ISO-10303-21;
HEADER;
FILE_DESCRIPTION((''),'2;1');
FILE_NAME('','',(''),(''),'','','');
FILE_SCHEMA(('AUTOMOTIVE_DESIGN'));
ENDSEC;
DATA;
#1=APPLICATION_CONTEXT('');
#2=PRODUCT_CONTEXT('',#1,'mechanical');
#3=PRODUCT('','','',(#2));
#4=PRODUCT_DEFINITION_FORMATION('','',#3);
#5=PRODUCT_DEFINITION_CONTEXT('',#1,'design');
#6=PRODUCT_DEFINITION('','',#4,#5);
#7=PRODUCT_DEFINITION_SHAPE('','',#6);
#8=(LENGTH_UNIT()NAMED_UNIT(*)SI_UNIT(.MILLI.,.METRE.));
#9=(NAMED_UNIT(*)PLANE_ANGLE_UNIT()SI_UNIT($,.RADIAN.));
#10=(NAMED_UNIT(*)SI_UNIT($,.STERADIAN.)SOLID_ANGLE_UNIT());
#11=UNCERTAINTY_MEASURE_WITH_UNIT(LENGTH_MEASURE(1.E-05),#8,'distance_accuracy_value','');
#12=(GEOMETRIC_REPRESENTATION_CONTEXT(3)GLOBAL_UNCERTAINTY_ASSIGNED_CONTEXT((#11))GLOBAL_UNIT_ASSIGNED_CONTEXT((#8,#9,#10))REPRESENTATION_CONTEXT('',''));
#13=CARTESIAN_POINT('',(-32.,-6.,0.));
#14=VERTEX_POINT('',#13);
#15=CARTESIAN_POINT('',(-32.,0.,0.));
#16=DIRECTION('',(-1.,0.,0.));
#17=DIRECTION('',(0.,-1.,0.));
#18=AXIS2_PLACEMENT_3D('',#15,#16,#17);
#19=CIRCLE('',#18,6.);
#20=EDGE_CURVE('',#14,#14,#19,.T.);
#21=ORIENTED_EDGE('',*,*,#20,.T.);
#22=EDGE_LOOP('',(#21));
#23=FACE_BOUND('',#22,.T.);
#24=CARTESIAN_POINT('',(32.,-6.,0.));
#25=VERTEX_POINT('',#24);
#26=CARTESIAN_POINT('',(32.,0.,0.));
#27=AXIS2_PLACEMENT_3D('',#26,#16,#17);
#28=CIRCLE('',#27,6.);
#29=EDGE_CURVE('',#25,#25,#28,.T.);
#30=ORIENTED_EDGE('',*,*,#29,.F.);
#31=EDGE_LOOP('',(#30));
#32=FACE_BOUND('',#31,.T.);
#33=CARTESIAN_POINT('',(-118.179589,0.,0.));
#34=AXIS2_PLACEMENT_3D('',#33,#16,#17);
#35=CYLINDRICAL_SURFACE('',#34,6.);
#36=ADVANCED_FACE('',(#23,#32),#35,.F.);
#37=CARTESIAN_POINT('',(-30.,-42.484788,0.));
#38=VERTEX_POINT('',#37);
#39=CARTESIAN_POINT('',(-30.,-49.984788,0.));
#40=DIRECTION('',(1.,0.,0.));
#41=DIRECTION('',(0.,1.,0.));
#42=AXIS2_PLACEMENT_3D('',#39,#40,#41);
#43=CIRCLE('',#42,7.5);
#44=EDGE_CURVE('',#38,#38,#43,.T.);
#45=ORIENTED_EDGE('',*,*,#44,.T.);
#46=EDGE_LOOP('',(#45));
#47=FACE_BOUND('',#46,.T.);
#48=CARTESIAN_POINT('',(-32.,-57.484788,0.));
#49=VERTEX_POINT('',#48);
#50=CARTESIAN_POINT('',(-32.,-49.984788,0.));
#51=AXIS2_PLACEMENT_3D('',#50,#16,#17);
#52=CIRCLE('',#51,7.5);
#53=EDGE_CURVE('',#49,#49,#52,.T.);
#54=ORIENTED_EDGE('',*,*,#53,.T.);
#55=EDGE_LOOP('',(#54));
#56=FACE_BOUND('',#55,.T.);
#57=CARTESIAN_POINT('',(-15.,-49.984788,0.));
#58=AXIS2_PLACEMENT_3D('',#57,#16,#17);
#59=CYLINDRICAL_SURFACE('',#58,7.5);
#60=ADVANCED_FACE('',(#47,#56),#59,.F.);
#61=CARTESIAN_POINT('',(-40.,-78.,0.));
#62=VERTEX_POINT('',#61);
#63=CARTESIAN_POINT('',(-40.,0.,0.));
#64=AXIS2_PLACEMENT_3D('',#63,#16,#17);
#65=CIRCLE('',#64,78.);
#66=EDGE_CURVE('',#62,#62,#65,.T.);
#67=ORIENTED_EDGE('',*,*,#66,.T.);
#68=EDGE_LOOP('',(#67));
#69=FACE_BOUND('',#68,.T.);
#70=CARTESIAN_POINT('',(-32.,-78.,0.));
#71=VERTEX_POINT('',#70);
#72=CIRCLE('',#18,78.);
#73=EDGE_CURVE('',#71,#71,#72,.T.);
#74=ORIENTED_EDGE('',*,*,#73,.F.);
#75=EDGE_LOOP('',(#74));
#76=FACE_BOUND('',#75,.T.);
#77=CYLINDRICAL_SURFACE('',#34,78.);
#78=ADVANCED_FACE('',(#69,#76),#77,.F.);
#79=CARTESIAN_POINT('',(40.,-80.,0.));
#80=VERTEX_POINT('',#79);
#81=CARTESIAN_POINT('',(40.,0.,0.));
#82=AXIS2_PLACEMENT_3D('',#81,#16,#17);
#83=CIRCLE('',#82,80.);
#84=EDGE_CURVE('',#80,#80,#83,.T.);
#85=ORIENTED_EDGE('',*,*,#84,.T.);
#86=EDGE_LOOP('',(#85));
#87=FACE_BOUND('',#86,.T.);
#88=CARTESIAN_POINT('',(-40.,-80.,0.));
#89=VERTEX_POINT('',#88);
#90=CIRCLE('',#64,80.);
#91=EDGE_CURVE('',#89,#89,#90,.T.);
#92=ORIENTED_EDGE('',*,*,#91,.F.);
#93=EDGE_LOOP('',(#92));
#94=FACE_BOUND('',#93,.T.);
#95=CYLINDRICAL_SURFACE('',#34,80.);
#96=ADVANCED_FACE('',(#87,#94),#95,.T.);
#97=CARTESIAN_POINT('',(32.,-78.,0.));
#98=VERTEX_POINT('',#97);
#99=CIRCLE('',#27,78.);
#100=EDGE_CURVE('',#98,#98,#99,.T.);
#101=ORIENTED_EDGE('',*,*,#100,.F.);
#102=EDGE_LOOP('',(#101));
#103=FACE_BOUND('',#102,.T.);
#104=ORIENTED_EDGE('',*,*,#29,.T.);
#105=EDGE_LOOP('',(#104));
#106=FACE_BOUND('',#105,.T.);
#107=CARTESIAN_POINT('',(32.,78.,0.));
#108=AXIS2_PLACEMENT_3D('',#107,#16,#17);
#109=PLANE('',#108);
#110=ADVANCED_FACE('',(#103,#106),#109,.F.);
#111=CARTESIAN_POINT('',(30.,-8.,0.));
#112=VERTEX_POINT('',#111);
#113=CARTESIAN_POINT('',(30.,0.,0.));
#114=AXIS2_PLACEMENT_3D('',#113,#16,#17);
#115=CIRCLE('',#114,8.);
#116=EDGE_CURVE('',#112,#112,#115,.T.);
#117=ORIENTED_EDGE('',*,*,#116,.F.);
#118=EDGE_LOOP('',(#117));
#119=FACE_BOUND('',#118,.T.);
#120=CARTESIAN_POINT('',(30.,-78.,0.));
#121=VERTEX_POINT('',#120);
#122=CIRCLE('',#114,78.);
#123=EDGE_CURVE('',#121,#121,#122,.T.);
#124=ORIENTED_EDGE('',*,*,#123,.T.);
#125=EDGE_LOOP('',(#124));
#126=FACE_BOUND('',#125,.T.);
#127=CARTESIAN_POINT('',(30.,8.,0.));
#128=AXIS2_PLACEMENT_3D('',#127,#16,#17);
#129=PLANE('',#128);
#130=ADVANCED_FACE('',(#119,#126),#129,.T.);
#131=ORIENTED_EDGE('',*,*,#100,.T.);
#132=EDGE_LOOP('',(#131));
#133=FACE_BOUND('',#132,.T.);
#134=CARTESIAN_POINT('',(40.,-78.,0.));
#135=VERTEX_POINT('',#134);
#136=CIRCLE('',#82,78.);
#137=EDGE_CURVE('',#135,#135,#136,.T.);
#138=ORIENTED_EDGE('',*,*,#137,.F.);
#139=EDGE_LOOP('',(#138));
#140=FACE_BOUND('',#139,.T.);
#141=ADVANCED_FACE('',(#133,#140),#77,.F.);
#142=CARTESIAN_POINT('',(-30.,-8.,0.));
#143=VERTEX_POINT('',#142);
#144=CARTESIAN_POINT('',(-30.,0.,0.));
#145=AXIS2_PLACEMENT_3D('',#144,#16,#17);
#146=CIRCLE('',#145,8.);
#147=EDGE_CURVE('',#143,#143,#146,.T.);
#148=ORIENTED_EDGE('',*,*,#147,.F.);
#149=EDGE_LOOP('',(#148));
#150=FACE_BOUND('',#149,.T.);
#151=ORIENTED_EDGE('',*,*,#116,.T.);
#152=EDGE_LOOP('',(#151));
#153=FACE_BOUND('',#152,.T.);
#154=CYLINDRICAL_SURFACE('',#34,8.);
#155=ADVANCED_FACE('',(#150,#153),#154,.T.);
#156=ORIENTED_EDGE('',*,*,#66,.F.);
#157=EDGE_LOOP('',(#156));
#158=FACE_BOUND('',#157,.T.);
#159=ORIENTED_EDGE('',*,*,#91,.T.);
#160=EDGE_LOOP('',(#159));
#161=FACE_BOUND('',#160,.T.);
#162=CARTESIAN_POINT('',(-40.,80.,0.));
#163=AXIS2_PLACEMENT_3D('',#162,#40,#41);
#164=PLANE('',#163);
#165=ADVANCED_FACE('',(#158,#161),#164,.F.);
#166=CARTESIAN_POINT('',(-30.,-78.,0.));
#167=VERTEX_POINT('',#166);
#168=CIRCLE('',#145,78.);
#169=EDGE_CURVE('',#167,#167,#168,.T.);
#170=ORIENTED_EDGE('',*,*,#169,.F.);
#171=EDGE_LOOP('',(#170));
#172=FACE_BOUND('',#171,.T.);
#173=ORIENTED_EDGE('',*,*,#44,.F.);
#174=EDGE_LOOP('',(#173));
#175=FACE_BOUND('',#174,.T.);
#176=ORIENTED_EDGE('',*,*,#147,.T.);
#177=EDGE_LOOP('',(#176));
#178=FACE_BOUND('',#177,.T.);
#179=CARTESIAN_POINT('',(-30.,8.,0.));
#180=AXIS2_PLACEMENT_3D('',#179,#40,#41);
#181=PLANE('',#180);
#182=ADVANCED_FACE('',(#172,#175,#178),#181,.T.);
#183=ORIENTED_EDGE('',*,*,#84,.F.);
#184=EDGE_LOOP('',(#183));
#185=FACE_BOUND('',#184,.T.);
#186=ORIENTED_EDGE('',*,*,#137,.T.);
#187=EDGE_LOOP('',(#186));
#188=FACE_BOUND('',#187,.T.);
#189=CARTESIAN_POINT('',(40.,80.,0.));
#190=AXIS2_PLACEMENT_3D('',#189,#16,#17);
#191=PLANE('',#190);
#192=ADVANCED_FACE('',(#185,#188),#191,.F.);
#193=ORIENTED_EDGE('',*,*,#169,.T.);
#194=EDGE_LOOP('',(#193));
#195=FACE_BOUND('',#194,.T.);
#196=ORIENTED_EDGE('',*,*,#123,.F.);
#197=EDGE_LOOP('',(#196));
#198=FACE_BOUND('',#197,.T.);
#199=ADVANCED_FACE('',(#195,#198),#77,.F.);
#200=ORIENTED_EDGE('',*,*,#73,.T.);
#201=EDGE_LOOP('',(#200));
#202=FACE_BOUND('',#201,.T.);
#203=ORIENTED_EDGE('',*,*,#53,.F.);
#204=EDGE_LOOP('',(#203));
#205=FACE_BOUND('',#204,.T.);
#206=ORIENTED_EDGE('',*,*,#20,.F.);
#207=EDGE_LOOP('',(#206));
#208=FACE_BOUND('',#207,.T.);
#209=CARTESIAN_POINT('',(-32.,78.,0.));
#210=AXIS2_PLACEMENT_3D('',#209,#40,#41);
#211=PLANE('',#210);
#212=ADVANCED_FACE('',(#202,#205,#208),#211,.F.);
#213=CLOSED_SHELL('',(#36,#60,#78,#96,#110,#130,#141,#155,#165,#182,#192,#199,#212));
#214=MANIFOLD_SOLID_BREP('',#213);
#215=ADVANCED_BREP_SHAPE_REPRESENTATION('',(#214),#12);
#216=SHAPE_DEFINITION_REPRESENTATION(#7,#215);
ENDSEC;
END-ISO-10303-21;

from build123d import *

# Parameters (mm, degrees)
SKETCH_1_W          = 60
SKETCH_1_H          = 70
SKETCH_3_R          = 7.5
CUT_EXTRUDE_1_DEPTH = 17


with BuildPart() as part:
    # Эскиз1 → Повернуть1 (revolve)
    with BuildSketch(Plane.XY, mode=Mode.PRIVATE) as revolve_1_sk:
        Polygon((-40, 80), (40, 80), (40, 78), (32, 78), (32, 6), (30, 6), (-30, 6), (-32, 6), (-32, 78), (-40, 78), align=None)
        with Locations((0, 43)):
            Rectangle(SKETCH_1_W, SKETCH_1_H, mode=Mode.SUBTRACT)
    revolve(revolve_1_sk.sketch.rotate(Axis((-118.179588976, 0, 0), (1, 0, 0)), 180), axis=Axis((-118.179588976, 0, 0), (1, 0, 0)))

    # Эскиз3 → Вырез-Вытянуть1 (cut)
    with BuildSketch(Plane.ZY.offset(32)):
        with Locations(Location((0, -49.984788399, 0), (0, 0, 270))):
            Circle(SKETCH_3_R)
    extrude(amount=-CUT_EXTRUDE_1_DEPTH, mode=Mode.SUBTRACT)


solid = part.part
